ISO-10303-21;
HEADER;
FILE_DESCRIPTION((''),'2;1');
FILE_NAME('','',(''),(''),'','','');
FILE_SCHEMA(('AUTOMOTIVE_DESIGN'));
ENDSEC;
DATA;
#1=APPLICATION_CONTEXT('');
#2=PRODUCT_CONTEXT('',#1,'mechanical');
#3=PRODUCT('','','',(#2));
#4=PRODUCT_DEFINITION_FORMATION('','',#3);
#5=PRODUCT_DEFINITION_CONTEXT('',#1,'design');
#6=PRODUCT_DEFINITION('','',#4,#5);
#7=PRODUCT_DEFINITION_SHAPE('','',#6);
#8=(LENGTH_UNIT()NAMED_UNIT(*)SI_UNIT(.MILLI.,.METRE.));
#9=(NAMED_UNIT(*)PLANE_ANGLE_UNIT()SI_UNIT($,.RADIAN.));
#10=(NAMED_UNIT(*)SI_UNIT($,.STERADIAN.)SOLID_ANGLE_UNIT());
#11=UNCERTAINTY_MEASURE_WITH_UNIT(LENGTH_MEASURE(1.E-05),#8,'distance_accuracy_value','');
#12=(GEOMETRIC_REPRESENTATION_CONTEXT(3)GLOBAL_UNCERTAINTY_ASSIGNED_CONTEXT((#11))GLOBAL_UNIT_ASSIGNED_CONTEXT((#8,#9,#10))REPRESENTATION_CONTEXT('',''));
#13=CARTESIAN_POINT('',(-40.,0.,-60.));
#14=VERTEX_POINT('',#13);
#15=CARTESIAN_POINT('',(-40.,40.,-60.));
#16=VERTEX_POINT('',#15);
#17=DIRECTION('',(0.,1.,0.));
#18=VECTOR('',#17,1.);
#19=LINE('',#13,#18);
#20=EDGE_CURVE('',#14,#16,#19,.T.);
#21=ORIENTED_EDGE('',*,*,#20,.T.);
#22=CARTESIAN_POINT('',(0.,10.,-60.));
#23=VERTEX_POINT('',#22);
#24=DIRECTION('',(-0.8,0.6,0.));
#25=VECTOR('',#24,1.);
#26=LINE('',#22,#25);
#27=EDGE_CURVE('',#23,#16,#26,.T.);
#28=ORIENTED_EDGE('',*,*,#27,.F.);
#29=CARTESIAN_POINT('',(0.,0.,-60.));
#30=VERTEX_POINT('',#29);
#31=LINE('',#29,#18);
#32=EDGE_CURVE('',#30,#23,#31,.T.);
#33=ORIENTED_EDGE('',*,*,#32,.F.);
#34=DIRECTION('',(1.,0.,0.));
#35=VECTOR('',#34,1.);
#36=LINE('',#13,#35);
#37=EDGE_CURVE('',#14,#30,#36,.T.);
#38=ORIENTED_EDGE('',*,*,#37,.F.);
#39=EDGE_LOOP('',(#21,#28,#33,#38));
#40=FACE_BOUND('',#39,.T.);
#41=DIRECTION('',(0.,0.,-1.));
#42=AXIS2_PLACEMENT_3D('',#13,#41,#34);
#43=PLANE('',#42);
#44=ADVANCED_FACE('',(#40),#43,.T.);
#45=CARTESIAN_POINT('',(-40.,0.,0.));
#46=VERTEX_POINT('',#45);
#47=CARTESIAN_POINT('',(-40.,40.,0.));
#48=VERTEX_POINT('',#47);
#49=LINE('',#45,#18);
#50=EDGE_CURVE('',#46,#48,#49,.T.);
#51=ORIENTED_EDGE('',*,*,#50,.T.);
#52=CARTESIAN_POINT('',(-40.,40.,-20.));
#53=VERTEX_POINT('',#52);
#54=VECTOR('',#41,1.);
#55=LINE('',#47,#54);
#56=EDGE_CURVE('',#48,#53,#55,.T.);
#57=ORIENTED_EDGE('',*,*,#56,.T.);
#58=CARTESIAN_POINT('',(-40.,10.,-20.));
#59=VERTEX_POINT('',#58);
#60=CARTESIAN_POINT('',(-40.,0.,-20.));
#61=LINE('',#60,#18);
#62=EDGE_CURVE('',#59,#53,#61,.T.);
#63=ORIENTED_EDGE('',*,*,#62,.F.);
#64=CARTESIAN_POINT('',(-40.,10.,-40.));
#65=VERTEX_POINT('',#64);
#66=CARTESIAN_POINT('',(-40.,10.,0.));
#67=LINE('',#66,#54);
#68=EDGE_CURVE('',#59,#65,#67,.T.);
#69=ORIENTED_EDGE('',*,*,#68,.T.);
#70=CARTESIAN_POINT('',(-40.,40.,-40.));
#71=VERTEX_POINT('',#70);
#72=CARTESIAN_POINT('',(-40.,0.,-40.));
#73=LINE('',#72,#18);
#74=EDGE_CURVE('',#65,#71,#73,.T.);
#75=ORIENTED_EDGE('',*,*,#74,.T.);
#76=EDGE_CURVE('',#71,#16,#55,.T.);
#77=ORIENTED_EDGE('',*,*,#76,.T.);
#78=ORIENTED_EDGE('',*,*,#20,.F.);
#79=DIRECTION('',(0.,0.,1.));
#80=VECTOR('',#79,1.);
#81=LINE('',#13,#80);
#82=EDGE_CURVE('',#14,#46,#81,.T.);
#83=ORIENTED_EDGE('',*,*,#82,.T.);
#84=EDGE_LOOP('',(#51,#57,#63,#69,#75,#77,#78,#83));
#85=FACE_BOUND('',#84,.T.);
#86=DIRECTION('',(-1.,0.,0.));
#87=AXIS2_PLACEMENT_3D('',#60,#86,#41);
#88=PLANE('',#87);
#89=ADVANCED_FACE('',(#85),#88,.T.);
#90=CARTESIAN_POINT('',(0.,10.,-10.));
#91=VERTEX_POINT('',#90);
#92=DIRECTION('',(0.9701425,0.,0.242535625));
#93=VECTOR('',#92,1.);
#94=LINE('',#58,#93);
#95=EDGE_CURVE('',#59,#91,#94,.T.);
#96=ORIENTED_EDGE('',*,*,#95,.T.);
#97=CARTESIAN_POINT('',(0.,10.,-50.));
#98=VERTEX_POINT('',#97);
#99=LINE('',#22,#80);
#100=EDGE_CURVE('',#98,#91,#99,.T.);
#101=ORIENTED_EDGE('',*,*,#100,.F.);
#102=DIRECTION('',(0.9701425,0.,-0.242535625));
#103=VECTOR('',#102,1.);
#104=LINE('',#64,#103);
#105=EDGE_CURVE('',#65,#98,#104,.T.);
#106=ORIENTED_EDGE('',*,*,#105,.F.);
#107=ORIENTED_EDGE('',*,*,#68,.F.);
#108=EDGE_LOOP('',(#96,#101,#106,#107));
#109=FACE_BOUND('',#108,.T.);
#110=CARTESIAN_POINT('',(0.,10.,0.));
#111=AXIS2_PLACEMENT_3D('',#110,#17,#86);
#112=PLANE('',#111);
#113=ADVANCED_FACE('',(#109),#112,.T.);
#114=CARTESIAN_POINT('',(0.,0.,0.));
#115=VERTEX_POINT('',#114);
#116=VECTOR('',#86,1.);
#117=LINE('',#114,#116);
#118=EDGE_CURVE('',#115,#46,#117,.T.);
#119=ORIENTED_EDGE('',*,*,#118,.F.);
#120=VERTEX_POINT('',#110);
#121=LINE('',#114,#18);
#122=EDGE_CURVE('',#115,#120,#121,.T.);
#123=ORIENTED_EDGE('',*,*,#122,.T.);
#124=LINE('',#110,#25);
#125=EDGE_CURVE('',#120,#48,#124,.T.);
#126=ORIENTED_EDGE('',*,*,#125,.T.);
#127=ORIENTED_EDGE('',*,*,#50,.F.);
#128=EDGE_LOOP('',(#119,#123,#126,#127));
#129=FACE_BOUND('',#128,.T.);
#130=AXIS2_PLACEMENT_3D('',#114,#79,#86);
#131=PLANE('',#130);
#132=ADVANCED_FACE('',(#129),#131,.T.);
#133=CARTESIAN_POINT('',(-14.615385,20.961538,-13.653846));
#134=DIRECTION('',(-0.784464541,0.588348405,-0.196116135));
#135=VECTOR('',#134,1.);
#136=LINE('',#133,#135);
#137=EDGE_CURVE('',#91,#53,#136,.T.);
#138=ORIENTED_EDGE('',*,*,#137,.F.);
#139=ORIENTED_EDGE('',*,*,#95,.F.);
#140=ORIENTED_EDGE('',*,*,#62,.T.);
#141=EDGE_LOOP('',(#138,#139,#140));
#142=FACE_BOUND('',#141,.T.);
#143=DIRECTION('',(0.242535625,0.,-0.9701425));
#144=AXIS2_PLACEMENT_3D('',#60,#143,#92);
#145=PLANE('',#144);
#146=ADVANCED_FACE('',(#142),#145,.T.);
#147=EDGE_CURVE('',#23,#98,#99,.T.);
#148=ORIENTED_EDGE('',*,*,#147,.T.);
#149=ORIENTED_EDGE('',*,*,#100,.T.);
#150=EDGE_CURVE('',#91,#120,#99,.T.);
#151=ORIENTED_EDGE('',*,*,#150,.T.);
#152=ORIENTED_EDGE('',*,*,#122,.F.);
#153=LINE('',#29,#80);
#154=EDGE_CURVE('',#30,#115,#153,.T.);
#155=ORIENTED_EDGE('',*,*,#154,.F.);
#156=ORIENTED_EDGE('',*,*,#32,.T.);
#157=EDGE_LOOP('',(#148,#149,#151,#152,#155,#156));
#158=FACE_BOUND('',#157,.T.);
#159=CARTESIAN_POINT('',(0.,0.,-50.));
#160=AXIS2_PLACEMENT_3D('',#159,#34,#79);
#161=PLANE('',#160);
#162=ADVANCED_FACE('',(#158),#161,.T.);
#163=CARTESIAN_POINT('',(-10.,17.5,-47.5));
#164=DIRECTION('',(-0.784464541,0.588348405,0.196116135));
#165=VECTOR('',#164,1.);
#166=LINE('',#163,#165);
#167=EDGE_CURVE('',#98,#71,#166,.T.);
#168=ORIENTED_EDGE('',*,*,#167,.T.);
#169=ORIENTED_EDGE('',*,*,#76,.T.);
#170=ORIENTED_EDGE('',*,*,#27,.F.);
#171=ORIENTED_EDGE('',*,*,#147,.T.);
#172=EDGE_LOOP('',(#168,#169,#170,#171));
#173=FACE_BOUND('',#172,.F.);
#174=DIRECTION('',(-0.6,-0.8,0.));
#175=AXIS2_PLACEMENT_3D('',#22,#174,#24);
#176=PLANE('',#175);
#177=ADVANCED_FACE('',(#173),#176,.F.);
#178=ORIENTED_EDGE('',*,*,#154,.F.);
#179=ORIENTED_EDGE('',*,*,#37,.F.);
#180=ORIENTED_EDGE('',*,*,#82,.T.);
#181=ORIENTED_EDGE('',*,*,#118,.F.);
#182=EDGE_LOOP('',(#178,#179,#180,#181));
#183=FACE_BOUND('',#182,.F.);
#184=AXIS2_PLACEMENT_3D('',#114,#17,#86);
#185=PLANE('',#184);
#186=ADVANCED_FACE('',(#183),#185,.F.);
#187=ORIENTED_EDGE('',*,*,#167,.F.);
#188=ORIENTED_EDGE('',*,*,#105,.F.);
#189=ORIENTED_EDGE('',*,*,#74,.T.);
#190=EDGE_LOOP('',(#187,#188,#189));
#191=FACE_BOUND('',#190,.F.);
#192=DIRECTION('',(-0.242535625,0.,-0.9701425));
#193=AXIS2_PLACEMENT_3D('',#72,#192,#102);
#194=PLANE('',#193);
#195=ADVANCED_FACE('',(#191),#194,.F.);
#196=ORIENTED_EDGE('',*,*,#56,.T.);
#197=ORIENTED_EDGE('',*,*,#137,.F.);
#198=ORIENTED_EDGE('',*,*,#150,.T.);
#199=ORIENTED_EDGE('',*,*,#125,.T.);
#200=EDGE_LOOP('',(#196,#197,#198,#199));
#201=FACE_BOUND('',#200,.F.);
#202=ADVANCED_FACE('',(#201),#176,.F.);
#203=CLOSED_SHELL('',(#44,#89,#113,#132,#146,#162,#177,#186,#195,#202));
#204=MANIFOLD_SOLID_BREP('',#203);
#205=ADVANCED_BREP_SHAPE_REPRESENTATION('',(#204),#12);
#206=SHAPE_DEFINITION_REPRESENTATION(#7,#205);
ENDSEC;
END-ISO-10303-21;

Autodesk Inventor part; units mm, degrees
ref_plane "YZ Plane" through (0, 0, 0) normal (1, 0, 0) x (0, 1, 0)
ref_plane "XZ Plane" through (0, 0, 0) normal (0, 1, 0) x (-1, 0, 0)
ref_plane "XY Plane" through (0, 0, 0) normal (0, 0, 1) x (1, 0, 0)
sketch "草圖1" plane through (0, 0, 0) normal (0, 1, 0) x (-1, 0, 0)
  line L0 (0, 0) -> (40, 0)
  line L1 (40, 0) -> (40, -60)
  line L2 (40, -60) -> (0, -60)
  line L3 (0, -60) -> (0, 0)
  line L4 (40, -20) -> (0, -10)
  line L5 (40, -40) -> (0, -50)
  dimension "d0" = 40
  dimension "d1" = 60
  dimension "d2" = 20
  dimension "d3" = 20
  dimension "d4" = 10
  dimension "d5" = 10
extrude "擠出1" add sketch "草圖1" along normal blind 40 contours L0 L1 L4 L3 | L5 L1 L2 L3
extrude "擠出2" add sketch "草圖1" along normal blind 10 contours L4 L1 L5 L3
sketch "草圖2" plane through (0, 0, -60) normal (0, 0, -1) x (-1, 0, 0)
  line L0 (0, 0) -> (0, 40) projected
  line L1 (0, 40) -> (0, 10)
  line L2 (40, 0) -> (40, 40) projected
  line L3 (0, 10) -> (40, 40)
  line L4 (40, 40) -> (0, 40)
  dimension "d10" = 30
extrude "擠出3" cut sketch "草圖2" against normal blind 60
